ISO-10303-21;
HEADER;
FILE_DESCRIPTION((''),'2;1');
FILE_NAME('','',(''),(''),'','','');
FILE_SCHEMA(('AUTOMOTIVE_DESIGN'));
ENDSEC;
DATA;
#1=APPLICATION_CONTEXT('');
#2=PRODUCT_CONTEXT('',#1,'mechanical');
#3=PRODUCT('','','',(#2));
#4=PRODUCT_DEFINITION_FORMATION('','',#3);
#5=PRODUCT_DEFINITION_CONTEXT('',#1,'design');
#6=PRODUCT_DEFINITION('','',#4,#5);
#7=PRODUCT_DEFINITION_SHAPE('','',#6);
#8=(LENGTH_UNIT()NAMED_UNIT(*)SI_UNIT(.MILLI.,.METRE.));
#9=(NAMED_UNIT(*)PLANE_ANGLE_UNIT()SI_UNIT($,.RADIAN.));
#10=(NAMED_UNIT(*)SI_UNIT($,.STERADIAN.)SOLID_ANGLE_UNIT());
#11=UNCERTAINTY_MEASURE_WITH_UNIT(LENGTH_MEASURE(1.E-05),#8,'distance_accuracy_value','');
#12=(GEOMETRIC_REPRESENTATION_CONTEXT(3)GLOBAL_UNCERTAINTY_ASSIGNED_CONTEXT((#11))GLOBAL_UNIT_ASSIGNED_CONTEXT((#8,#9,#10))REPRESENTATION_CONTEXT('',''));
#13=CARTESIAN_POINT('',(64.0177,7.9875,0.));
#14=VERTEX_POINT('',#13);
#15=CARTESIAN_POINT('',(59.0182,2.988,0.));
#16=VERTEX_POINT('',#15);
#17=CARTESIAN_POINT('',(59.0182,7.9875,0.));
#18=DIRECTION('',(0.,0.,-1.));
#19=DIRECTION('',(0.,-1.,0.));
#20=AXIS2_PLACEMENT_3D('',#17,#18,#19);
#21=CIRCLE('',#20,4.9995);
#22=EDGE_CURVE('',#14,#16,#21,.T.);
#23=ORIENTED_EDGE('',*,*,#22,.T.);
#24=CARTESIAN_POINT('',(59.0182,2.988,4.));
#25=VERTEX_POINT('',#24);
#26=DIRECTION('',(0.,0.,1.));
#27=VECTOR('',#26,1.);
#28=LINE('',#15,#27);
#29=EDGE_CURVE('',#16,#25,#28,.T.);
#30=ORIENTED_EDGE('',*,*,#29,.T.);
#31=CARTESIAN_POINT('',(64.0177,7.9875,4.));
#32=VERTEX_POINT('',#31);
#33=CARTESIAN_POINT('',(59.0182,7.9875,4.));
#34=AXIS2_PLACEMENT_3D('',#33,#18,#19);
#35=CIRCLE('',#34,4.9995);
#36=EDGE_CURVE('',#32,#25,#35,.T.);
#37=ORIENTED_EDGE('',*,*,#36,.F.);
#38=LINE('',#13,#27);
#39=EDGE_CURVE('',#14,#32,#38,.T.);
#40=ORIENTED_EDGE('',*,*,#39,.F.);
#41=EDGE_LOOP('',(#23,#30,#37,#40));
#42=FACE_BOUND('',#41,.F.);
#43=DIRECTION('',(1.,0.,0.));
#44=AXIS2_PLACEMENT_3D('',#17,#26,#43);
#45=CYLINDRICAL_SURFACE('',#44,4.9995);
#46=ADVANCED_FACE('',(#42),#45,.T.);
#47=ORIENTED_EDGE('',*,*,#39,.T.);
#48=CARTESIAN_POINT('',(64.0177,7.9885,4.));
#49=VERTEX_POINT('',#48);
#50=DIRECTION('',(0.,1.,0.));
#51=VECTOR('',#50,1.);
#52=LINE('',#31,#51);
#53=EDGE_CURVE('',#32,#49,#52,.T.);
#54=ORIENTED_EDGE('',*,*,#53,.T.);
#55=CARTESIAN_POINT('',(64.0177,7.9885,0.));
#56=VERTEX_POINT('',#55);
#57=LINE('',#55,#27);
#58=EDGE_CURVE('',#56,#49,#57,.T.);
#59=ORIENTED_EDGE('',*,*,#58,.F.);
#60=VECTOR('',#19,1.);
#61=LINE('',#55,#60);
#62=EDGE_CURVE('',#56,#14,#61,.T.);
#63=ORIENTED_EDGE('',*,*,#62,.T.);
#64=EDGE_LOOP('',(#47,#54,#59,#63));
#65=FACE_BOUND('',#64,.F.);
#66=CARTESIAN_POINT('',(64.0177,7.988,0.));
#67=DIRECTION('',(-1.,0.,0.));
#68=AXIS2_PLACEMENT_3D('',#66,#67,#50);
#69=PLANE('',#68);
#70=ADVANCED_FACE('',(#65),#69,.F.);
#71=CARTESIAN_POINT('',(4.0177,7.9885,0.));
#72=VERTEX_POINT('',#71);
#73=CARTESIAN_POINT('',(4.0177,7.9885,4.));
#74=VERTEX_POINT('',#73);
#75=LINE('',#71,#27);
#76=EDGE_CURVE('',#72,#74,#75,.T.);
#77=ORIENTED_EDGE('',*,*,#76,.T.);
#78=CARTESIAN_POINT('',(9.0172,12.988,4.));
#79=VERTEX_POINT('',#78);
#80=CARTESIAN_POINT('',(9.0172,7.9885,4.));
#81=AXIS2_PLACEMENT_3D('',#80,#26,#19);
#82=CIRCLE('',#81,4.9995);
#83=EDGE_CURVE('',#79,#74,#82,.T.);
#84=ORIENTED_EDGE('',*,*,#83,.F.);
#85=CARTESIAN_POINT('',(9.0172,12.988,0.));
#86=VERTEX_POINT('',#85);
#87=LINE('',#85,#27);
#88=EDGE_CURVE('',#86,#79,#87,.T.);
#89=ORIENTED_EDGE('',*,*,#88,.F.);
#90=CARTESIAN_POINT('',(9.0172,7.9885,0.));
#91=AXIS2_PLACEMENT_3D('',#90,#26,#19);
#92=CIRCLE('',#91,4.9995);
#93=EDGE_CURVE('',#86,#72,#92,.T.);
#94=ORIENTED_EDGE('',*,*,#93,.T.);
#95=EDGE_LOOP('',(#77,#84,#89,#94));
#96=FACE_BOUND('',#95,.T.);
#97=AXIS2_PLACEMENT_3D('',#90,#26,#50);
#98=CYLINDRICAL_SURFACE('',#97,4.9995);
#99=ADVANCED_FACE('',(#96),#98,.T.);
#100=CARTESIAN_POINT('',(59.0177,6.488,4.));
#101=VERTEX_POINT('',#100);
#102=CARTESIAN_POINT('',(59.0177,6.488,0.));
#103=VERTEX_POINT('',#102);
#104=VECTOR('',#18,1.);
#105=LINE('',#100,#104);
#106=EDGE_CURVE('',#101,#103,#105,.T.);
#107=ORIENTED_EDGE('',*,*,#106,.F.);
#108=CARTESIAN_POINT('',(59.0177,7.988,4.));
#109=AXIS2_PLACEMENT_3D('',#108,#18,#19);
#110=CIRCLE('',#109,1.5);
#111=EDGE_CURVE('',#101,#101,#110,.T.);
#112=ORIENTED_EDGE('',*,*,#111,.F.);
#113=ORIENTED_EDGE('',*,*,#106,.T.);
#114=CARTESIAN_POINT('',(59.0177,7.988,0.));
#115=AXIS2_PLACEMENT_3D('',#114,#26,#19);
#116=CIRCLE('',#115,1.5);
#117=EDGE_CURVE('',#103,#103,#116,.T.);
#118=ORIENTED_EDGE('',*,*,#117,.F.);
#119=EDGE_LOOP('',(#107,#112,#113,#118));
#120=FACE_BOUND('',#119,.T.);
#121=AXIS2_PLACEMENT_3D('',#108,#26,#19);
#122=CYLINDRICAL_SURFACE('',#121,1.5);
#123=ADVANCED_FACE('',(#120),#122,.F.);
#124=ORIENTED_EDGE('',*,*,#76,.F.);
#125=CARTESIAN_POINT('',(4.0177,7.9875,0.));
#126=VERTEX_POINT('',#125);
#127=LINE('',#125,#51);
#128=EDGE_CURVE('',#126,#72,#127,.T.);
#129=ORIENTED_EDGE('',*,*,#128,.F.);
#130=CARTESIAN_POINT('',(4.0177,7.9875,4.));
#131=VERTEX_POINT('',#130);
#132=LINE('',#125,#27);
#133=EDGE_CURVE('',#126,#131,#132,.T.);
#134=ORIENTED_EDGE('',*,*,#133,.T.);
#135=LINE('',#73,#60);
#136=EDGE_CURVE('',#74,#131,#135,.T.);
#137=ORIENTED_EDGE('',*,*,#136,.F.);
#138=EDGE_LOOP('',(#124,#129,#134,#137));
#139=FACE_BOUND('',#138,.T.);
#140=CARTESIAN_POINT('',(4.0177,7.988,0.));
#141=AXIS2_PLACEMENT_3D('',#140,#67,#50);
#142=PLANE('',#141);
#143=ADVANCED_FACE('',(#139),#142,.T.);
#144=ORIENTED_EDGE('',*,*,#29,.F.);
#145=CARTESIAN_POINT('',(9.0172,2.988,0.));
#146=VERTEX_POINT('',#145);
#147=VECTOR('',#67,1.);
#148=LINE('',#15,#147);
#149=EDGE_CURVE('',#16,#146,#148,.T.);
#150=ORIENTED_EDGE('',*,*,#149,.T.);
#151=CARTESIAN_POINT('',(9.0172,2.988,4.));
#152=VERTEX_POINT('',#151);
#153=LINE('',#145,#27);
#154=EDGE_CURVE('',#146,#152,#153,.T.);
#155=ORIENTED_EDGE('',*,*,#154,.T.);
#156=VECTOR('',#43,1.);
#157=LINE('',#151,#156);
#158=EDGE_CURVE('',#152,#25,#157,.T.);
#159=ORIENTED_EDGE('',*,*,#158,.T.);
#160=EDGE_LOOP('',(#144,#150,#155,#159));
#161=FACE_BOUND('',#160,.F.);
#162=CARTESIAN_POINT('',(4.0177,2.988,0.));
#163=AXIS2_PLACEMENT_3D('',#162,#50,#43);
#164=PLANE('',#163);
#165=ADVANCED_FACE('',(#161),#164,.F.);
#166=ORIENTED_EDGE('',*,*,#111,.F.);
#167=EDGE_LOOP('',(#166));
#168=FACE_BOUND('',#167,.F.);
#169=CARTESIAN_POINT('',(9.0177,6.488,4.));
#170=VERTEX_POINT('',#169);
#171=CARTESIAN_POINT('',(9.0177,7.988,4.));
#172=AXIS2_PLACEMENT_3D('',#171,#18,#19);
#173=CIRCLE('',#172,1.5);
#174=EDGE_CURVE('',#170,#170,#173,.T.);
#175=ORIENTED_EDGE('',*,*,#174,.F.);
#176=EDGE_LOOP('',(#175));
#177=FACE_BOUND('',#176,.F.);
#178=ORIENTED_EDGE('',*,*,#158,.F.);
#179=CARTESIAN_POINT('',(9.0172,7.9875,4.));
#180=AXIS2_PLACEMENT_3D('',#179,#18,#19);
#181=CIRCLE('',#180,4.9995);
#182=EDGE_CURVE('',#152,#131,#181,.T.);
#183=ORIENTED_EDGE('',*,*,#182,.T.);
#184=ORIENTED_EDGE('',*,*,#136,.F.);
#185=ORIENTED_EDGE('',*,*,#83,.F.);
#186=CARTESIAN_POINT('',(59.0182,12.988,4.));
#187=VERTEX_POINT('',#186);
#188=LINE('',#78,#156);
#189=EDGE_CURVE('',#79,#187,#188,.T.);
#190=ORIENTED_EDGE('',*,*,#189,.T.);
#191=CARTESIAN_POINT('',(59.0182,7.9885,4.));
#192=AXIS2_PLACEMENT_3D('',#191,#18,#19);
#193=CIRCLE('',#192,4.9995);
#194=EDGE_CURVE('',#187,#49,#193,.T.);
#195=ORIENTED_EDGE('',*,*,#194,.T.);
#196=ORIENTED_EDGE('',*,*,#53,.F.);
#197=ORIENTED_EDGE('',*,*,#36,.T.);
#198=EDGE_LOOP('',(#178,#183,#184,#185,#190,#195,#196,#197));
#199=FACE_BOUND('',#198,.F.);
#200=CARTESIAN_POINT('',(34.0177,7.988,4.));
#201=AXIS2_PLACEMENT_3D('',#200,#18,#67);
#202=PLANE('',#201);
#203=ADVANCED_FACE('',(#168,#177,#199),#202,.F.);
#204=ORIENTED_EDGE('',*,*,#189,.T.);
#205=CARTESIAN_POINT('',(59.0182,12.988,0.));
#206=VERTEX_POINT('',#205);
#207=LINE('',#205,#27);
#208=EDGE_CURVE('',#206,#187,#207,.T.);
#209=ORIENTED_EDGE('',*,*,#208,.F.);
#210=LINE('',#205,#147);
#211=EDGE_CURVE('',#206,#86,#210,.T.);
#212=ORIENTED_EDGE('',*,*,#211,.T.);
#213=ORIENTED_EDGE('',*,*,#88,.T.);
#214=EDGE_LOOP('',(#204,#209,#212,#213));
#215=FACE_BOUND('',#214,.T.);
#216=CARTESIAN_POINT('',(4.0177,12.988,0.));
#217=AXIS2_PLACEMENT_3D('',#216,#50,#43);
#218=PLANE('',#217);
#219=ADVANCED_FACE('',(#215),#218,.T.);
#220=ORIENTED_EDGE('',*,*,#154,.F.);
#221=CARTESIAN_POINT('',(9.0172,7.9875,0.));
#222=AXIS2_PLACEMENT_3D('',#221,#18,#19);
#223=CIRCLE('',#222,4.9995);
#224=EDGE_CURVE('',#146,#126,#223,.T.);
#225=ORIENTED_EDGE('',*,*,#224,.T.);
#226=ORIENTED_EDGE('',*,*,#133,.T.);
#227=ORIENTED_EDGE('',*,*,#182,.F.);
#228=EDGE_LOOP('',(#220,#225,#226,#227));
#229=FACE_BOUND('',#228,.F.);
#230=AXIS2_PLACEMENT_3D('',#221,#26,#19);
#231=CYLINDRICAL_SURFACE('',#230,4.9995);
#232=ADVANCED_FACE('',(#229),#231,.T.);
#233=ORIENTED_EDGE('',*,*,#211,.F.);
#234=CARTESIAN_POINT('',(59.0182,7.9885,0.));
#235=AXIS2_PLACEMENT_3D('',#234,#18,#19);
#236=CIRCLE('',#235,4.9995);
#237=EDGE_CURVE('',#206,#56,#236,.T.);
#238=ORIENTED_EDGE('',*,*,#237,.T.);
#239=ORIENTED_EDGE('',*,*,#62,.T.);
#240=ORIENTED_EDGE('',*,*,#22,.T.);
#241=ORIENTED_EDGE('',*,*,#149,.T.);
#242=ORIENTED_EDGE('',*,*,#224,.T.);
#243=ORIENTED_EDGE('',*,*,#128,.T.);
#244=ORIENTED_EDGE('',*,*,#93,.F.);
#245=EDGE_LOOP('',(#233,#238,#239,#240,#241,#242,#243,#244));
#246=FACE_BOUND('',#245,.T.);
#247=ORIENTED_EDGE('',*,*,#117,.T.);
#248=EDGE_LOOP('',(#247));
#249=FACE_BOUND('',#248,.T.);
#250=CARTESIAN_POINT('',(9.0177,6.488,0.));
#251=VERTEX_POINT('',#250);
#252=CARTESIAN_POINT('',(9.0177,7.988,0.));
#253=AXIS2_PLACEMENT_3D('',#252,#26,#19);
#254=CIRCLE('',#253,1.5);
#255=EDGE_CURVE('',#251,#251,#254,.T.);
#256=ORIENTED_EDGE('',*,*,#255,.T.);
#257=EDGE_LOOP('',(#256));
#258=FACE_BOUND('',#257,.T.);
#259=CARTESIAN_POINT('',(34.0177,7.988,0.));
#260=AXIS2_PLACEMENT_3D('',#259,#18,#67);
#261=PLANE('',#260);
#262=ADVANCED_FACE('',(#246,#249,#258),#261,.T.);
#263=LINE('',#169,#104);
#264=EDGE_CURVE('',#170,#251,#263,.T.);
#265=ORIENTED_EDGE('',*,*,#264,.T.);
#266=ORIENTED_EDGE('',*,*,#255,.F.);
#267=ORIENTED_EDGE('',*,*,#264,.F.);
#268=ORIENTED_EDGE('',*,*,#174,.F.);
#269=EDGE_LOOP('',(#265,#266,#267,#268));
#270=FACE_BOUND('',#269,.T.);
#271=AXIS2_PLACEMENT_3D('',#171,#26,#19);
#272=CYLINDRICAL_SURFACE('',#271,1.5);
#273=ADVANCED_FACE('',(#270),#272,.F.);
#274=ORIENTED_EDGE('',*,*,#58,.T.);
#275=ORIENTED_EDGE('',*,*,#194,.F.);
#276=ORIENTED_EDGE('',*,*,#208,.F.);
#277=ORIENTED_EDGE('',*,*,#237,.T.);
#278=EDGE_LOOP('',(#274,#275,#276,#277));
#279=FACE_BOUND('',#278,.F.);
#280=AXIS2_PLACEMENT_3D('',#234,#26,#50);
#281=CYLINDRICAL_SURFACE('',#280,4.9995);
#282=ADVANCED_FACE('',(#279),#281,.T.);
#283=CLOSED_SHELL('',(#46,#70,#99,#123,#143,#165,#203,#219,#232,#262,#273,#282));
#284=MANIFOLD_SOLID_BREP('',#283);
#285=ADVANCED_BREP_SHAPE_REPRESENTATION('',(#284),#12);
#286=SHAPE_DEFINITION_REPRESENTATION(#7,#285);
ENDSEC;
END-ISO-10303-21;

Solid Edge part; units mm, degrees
sketch "Sketch1" plane through (0, 0, 0) normal (0, 0, 1) x (1, 0, 0)
  line L0 (4.0177, 12.988) -> (9.0177, 12.988)
  line L1 (59.0177, 12.988) -> (9.0177, 12.988)
  line L2 (64.0177, 12.988) -> (59.0177, 12.988)
  line L3 (64.0177, 7.988) -> (64.0177, 12.988)
  line L4 (64.0177, 2.988) -> (64.0177, 7.988)
  line L5 (59.0177, 2.988) -> (64.0177, 2.988)
  line L6 (9.0177, 2.988) -> (59.0177, 2.988)
  line L7 (4.0177, 2.988) -> (9.0177, 2.988)
  line L8 (4.0177, 7.988) -> (4.0177, 2.988)
  line L9 (4.0177, 7.988) -> (4.0177, 12.988)
extrude "Protrusion1" add sketch "Sketch1" along normal blind 4
fillet "Redondo_3" radius 5 4 edges at (64.0177, 2.988, 2) (64.0177, 12.988, 2) (4.0177, 2.988, 2) (4.0177, 12.988, 2)
hole "Furo_3" at (9.0177, 7.988, 4) direction (0, 0, -1) diameter 3 end up to next
hole "Hole1" at (59.0177, 7.988, 4) direction (0, 0, -1) diameter 3 end up to next
